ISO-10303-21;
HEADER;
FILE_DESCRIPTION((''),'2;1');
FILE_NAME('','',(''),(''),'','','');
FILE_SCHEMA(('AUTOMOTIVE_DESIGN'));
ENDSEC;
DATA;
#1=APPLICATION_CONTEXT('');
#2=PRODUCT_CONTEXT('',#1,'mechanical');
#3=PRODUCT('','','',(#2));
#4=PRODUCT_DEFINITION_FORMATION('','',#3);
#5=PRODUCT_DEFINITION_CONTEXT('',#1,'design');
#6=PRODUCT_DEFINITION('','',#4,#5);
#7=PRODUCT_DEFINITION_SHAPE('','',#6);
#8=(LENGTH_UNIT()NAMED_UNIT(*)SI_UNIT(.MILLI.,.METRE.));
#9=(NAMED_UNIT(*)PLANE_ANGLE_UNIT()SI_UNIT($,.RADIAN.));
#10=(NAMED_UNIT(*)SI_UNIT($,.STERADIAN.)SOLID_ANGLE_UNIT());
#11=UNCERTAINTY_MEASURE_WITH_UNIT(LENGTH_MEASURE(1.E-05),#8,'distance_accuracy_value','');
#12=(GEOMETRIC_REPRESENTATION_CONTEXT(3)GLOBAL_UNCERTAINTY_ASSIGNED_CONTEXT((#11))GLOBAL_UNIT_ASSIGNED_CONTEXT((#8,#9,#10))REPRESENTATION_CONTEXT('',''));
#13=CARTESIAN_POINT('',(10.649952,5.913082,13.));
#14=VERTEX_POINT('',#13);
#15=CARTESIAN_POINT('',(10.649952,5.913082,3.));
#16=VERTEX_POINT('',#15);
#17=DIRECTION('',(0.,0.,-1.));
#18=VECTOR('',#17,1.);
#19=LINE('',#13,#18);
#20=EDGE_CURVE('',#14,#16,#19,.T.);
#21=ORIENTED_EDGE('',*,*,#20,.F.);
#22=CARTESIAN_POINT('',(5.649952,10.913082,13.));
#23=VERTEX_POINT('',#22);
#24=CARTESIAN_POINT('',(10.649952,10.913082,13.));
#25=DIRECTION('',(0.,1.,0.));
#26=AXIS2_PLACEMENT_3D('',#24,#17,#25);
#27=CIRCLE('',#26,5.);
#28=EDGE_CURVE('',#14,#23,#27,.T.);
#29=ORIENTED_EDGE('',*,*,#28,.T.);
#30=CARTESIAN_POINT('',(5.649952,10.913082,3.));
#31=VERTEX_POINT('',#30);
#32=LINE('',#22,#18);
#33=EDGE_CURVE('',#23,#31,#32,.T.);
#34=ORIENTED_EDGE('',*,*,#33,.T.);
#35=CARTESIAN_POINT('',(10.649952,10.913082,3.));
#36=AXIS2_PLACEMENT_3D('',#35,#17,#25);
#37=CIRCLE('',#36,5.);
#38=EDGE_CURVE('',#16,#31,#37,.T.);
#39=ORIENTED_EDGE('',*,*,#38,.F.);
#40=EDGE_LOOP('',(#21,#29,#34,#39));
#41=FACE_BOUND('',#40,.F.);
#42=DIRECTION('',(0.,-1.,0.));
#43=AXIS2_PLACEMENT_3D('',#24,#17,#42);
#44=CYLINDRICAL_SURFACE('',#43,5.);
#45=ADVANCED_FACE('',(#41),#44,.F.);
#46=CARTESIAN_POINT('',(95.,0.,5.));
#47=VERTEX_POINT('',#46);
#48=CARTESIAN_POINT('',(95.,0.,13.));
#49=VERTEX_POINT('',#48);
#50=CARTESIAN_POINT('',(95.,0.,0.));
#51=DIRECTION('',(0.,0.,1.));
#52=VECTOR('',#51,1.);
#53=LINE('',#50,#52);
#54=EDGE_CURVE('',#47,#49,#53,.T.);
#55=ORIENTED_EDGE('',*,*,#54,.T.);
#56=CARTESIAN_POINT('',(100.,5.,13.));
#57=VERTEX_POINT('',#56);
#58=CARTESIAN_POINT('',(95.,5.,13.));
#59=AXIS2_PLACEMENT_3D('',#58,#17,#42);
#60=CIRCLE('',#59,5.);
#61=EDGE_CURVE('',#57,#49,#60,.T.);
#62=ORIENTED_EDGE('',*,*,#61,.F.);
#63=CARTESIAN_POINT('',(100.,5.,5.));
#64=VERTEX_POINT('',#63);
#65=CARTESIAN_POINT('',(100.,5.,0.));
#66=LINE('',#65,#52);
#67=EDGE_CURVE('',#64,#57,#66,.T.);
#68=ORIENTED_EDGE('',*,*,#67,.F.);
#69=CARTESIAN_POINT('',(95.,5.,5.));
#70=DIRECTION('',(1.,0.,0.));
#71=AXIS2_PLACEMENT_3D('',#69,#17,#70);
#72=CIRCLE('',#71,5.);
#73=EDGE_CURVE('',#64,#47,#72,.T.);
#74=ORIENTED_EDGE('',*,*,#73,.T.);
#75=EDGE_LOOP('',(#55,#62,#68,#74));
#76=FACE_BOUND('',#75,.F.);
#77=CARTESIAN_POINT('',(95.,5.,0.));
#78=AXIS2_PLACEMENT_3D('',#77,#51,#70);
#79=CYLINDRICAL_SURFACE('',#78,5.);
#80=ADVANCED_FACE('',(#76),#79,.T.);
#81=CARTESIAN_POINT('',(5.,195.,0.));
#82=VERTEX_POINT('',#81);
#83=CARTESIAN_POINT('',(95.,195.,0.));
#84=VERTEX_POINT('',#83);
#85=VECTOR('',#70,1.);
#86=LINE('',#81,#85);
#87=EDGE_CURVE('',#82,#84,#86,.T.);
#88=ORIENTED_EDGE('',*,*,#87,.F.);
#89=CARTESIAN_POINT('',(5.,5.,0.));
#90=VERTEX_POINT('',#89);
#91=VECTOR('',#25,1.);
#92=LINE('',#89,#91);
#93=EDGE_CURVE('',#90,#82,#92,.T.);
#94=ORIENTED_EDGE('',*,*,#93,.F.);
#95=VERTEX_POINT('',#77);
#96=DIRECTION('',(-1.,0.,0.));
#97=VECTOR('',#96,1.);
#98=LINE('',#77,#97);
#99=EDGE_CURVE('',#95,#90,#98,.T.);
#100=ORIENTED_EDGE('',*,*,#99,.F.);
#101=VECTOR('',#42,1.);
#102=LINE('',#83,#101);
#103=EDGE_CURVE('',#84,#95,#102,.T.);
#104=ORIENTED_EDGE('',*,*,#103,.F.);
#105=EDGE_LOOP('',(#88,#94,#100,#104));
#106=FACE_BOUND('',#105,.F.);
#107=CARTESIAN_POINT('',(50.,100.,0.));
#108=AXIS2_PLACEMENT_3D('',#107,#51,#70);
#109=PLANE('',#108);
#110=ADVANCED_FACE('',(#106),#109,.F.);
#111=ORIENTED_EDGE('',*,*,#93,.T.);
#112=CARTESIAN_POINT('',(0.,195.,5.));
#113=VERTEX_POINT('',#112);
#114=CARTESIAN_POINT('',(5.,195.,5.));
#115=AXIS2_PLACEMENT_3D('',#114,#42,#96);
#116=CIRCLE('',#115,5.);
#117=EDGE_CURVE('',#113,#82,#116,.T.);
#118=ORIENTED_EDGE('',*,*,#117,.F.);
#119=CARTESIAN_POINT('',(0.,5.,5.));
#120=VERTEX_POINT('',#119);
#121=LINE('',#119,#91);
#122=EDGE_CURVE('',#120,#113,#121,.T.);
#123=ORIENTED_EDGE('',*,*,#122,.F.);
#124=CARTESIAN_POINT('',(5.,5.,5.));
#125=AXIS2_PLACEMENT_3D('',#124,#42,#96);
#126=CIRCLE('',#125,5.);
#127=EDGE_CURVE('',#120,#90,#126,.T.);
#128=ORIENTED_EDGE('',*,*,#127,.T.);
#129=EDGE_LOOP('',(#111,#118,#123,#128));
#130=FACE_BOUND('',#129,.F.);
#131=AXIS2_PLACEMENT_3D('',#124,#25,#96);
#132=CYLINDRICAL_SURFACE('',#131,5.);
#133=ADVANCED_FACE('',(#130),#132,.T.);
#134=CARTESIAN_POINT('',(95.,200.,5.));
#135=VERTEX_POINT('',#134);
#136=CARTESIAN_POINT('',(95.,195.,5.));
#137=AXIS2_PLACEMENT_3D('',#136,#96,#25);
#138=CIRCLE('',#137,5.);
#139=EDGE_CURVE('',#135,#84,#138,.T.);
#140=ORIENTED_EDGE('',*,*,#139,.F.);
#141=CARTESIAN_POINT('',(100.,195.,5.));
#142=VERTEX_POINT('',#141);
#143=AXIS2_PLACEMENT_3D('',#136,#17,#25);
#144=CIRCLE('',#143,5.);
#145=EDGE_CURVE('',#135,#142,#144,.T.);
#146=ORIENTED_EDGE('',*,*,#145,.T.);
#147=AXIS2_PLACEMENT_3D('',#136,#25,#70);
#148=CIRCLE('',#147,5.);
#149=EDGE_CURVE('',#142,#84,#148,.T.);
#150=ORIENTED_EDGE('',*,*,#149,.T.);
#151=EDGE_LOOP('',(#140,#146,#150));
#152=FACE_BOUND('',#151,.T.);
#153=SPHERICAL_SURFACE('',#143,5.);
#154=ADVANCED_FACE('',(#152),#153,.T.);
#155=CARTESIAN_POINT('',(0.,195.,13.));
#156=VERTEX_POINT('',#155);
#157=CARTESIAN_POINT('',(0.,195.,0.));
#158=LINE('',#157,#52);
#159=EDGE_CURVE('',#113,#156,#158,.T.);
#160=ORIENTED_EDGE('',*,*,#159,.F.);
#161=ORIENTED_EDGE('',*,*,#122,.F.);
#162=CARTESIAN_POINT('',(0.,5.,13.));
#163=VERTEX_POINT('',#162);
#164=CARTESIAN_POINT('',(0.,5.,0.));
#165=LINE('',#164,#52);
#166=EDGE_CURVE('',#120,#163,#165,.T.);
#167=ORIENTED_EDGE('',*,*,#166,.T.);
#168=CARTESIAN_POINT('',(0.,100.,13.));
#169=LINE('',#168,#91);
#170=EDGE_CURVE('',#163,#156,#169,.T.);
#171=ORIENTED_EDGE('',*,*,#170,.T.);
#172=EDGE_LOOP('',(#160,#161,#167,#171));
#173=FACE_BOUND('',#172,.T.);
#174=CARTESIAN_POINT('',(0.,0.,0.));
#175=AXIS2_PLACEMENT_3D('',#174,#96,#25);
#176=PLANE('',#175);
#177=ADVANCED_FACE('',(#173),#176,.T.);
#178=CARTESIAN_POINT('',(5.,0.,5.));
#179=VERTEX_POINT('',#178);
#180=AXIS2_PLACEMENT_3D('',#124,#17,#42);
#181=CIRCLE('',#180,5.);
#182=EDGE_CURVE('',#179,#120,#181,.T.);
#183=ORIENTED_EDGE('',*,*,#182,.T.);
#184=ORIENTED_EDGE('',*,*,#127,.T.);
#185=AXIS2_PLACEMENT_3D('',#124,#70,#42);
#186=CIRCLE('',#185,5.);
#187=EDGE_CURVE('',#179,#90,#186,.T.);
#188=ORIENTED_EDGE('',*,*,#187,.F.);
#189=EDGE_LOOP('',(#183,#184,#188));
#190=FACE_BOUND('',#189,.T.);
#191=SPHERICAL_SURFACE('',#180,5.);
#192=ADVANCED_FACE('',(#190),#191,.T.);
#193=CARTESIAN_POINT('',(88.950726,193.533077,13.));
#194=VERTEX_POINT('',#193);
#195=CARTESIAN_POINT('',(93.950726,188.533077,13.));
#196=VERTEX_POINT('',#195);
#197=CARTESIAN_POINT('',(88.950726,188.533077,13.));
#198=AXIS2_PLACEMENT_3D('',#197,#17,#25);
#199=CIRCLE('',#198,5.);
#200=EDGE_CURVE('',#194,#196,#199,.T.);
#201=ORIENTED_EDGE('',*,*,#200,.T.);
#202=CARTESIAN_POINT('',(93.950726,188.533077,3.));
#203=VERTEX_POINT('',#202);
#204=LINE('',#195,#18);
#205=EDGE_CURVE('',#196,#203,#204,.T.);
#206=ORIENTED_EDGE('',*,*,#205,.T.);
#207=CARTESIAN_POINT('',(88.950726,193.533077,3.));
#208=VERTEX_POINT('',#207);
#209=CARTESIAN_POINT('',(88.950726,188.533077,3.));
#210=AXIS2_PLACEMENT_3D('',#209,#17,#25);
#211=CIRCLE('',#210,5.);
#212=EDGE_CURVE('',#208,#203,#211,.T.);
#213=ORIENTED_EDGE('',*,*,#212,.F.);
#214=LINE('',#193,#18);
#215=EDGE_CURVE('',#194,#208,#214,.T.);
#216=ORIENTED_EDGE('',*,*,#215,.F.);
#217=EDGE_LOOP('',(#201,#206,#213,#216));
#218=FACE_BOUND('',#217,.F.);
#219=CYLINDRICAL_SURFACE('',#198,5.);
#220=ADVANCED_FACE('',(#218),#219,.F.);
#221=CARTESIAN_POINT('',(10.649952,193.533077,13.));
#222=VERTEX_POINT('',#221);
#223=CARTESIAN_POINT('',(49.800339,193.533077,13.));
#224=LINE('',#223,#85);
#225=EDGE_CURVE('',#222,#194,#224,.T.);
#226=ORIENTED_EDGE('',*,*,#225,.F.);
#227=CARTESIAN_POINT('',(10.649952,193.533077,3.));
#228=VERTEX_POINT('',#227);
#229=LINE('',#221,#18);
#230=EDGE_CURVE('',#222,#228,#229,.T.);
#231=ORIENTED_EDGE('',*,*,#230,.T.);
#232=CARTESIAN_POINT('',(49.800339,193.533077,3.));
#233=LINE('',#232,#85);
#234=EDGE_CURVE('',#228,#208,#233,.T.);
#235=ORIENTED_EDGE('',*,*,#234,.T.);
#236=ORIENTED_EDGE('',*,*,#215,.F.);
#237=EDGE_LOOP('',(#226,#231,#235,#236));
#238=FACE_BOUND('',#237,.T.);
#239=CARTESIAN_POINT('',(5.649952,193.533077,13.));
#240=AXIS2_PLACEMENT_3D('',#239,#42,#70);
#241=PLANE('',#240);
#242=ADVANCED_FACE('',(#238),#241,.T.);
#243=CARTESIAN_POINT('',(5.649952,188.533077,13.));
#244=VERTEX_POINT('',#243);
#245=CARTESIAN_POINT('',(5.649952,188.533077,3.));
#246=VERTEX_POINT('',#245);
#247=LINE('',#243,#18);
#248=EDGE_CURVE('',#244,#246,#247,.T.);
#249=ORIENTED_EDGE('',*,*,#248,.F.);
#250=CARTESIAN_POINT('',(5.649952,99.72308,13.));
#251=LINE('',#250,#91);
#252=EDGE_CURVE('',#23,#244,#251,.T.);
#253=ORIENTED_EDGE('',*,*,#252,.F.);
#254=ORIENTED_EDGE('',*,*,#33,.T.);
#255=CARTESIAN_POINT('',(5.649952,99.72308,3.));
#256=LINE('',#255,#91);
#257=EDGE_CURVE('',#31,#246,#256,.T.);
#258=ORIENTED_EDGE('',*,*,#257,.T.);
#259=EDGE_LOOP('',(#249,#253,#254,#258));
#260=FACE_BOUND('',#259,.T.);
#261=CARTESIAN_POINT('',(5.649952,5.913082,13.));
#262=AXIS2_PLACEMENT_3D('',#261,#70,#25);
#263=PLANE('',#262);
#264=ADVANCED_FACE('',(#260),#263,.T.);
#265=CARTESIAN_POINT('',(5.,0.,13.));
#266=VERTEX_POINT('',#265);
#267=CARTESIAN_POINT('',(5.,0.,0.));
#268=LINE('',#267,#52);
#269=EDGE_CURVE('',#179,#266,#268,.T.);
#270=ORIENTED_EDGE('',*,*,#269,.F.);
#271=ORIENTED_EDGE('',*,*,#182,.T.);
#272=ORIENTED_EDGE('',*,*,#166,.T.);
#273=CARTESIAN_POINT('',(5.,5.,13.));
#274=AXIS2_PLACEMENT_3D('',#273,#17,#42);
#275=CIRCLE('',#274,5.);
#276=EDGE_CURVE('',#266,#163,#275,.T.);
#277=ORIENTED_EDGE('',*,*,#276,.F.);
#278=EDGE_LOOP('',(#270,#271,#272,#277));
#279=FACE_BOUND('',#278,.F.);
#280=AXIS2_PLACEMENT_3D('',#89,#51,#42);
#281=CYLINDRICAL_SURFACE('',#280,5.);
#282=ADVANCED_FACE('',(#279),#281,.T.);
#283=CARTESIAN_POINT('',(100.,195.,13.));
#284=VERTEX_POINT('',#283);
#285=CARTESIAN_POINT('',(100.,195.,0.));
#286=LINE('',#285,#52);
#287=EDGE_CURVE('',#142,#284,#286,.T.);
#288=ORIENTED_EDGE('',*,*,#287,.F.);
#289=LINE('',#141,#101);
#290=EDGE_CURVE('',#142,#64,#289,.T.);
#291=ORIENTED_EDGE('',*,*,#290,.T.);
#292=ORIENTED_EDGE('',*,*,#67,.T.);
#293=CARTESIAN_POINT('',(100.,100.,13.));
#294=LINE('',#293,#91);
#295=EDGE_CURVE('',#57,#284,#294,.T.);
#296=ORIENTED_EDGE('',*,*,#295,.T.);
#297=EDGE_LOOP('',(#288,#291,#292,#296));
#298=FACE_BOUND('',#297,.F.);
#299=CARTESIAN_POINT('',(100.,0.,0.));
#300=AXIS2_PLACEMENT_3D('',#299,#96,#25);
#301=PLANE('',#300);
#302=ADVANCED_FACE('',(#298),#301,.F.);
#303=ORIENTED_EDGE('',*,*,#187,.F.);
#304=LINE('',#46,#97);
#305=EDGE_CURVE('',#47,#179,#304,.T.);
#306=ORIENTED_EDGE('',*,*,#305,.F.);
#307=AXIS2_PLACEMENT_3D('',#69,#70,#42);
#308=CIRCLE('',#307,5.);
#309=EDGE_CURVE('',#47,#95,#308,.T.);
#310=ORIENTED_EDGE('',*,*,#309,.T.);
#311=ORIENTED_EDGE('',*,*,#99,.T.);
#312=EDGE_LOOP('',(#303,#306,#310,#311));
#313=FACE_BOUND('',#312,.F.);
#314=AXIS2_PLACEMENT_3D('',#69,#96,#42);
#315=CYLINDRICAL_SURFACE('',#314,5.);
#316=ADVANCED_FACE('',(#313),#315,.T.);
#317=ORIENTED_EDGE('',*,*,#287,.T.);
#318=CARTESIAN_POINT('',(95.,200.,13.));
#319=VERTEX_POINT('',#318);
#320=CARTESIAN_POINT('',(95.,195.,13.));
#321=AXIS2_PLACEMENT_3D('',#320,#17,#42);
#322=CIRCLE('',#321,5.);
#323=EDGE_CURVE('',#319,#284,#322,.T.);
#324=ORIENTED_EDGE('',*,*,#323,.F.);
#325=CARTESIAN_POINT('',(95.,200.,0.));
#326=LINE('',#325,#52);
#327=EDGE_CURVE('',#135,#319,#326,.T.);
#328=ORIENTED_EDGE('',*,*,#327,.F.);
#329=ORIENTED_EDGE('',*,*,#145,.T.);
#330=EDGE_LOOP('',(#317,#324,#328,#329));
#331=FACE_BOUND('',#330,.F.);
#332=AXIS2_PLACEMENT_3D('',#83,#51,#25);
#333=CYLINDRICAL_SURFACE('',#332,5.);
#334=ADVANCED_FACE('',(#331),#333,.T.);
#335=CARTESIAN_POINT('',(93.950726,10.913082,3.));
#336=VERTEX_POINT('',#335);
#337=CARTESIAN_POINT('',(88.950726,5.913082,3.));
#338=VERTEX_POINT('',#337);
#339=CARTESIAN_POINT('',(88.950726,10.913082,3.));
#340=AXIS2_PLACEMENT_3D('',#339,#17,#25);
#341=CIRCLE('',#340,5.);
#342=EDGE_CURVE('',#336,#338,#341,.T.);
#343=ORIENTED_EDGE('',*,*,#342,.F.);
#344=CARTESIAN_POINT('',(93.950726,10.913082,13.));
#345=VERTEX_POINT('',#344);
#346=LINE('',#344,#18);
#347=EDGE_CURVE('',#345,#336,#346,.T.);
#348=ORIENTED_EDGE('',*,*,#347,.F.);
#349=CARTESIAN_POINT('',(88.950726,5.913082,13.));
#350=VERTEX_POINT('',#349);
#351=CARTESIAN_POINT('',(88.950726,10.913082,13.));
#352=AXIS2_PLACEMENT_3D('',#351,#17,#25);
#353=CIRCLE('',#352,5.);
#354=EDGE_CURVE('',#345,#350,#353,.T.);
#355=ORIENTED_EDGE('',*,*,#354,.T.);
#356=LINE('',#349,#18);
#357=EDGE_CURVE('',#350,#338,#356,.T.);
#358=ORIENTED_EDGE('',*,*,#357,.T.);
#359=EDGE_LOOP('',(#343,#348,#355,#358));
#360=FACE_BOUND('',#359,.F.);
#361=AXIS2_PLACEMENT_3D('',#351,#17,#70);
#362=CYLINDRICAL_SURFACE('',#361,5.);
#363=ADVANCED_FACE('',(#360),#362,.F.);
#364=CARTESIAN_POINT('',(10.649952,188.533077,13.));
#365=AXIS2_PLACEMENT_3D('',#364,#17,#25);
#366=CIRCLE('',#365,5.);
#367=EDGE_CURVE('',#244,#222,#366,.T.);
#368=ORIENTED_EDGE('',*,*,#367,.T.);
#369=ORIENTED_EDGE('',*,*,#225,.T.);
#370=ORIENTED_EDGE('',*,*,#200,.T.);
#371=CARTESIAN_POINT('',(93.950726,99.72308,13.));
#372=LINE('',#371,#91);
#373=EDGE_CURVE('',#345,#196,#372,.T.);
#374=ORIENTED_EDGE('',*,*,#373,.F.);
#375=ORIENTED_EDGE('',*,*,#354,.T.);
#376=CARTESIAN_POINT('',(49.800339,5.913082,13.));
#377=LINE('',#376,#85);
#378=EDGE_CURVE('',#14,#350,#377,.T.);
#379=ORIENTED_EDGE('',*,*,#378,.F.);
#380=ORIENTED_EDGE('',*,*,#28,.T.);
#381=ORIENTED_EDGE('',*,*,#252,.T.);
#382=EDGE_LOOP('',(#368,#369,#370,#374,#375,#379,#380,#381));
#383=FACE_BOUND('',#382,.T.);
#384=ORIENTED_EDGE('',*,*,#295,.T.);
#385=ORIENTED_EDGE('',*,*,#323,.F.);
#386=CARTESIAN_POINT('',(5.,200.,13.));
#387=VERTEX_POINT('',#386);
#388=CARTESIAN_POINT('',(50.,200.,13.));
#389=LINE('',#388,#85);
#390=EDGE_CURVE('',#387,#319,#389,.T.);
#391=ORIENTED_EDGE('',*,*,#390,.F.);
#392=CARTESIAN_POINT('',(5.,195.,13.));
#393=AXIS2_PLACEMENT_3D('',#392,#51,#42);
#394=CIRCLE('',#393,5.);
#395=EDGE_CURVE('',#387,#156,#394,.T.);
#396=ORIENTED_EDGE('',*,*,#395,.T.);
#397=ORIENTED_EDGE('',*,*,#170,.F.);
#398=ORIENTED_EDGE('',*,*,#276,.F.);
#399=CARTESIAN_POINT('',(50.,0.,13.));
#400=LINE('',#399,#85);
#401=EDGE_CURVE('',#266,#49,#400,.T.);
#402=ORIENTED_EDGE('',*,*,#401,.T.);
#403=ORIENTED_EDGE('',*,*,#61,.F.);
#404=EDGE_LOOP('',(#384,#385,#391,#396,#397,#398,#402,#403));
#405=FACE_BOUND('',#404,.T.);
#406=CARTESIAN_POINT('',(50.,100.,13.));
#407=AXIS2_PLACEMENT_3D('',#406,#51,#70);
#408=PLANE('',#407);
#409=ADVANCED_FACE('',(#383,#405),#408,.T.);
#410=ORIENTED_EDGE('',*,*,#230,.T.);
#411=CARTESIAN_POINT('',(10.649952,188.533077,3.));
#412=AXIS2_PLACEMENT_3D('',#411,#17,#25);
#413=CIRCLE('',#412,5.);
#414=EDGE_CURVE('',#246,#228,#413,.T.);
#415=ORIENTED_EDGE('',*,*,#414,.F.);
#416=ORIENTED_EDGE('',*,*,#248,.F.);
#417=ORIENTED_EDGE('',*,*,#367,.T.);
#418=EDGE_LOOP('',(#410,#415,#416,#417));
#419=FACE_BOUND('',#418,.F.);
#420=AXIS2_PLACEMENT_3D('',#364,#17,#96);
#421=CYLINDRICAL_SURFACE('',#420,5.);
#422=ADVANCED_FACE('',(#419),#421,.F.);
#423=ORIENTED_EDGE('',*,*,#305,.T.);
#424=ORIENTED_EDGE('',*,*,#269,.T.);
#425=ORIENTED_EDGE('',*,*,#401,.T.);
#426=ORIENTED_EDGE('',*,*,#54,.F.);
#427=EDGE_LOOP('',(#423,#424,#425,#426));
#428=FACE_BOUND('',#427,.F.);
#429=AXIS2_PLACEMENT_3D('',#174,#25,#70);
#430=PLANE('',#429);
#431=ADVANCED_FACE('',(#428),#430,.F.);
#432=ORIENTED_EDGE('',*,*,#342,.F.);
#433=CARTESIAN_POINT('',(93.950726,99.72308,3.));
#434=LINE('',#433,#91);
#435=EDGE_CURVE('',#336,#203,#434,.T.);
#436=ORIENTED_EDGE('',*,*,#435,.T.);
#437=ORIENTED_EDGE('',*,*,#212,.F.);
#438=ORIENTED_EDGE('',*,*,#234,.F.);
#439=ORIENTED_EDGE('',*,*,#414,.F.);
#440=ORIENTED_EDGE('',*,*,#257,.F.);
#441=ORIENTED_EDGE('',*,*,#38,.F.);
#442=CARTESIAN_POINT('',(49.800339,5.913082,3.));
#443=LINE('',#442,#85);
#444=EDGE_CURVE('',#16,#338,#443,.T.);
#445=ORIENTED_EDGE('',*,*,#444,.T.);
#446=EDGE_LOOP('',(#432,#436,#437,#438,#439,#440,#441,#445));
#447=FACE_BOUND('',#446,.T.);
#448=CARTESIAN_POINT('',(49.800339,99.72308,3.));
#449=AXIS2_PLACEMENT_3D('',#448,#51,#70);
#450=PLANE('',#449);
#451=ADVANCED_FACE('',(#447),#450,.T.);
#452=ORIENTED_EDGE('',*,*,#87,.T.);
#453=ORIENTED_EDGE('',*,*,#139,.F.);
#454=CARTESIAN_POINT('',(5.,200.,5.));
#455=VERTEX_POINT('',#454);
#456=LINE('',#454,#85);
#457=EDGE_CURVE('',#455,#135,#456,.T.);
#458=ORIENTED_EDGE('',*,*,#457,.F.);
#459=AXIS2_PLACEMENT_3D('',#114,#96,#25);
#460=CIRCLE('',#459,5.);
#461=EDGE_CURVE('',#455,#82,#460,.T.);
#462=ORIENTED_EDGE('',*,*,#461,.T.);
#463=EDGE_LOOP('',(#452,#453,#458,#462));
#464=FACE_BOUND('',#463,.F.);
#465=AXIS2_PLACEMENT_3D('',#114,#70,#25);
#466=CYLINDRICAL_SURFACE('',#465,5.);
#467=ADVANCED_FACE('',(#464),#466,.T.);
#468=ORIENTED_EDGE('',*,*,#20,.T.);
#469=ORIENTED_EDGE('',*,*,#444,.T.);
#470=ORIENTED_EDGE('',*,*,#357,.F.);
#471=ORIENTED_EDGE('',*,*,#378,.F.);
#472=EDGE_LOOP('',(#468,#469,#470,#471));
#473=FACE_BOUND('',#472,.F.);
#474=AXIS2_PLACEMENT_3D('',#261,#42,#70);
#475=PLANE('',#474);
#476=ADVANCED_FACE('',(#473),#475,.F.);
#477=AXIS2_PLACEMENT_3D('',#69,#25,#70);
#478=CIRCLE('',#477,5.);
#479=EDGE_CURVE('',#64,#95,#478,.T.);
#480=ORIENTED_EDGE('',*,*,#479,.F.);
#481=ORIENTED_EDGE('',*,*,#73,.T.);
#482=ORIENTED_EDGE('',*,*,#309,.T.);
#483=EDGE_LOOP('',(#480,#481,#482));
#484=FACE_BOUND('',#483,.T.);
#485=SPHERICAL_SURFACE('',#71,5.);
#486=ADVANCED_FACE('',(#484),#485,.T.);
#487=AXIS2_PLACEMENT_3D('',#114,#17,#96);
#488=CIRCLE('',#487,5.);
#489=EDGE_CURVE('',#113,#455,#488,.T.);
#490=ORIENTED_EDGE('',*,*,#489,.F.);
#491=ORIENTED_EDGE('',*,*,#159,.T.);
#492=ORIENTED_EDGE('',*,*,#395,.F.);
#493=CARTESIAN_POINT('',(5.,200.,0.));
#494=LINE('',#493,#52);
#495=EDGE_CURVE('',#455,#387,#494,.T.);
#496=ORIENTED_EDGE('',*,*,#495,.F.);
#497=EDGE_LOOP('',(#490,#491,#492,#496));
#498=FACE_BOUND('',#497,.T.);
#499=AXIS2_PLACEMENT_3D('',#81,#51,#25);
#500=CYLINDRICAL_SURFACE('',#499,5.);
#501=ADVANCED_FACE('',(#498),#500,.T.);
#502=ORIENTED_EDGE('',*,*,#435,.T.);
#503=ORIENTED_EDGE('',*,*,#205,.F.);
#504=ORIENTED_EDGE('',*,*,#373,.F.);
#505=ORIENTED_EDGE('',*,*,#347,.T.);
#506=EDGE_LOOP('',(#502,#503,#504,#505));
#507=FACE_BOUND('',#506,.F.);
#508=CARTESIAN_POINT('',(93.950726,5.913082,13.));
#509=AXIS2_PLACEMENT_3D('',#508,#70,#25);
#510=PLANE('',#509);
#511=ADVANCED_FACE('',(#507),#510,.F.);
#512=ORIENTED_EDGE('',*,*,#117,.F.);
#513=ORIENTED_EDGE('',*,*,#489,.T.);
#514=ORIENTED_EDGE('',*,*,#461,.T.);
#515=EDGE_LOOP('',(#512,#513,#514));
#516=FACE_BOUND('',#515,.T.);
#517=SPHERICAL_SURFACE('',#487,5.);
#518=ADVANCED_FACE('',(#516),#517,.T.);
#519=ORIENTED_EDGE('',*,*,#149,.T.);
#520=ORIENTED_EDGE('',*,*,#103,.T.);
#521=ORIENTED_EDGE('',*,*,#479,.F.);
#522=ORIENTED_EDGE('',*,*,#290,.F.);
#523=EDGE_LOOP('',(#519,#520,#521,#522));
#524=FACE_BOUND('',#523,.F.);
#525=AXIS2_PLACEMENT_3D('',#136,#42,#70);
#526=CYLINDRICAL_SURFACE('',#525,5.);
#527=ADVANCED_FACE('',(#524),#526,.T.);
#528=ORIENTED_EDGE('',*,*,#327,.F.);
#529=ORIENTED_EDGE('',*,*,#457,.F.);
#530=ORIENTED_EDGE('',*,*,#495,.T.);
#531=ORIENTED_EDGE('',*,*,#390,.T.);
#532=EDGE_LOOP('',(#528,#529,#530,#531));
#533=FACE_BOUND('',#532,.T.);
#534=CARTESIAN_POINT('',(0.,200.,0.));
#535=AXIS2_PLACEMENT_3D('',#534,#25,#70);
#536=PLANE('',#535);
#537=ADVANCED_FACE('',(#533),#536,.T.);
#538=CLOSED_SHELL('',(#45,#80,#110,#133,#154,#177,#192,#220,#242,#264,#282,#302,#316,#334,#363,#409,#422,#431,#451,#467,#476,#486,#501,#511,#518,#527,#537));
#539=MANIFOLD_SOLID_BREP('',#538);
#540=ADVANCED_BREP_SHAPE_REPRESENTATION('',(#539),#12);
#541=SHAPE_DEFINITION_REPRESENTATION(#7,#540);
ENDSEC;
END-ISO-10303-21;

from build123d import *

# Parameters (mm, degrees)
F0_W     = 100
F0_H     = 200
F1_DEPTH = 13
F3_W     = 88.300774
F3_H     = 187.619995
F4_DEPTH = 10
F5_R     = 5
F6_R     = 5
F7_R     = 5
F8_R     = 5
F9_R     = 5
F10_R    = 5
F11_R    = 5
F12_R    = 5
F13_R    = 5


with BuildPart() as f1:
    # F0 (on Top) → F1 (new body)
    with BuildSketch(Plane.XY):
        with Locations((50, 100)):
            Rectangle(F0_W, F0_H)
    extrude(amount=F1_DEPTH)

    # F3 (on face) → F4 (cut)
    with BuildSketch(Plane.XY.offset(13)):
        with Locations((49.800339, 99.72308)):
            Rectangle(F3_W, F3_H)
    extrude(amount=-F4_DEPTH, mode=Mode.SUBTRACT)

    # F5
    f5_edges = [f1.edges().sort_by_distance(p)[0] for p in [
        (100, 200, 6.5),
    ]]
    fillet(f5_edges, radius=F5_R)

    # F6
    f6_edges = [f1.edges().sort_by_distance(p)[0] for p in [
        (0, 200, 6.5),
    ]]
    fillet(f6_edges, radius=F6_R)

    # F7
    f7_edges = [f1.edges().sort_by_distance(p)[0] for p in [
        (100, 0, 6.5),
    ]]
    fillet(f7_edges, radius=F7_R)

    # F8
    f8_edges = [f1.edges().sort_by_distance(p)[0] for p in [
        (0, 0, 6.5),
    ]]
    fillet(f8_edges, radius=F8_R)

    # F9
    f9_edges = [f1.edges().sort_by_distance(p)[0] for p in [
        (5.649952, 5.913083, 8),
    ]]
    fillet(f9_edges, radius=F9_R)

    # F10
    f10_edges = [f1.edges().sort_by_distance(p)[0] for p in [
        (5.649952, 193.533078, 8),
    ]]
    fillet(f10_edges, radius=F10_R)

    # F11
    f11_edges = [f1.edges().sort_by_distance(p)[0] for p in [
        (93.950726, 193.533078, 8),
    ]]
    fillet(f11_edges, radius=F11_R)

    # F12
    f12_edges = [f1.edges().sort_by_distance(p)[0] for p in [
        (93.950726, 5.913083, 8),
    ]]
    fillet(f12_edges, radius=F12_R)

    # F13
    f13_edges = [f1.edges().sort_by_distance(p)[0] for p in [
        (0, 100, 0),
    ]]
    fillet(f13_edges, radius=F13_R)


solid = f1.part
